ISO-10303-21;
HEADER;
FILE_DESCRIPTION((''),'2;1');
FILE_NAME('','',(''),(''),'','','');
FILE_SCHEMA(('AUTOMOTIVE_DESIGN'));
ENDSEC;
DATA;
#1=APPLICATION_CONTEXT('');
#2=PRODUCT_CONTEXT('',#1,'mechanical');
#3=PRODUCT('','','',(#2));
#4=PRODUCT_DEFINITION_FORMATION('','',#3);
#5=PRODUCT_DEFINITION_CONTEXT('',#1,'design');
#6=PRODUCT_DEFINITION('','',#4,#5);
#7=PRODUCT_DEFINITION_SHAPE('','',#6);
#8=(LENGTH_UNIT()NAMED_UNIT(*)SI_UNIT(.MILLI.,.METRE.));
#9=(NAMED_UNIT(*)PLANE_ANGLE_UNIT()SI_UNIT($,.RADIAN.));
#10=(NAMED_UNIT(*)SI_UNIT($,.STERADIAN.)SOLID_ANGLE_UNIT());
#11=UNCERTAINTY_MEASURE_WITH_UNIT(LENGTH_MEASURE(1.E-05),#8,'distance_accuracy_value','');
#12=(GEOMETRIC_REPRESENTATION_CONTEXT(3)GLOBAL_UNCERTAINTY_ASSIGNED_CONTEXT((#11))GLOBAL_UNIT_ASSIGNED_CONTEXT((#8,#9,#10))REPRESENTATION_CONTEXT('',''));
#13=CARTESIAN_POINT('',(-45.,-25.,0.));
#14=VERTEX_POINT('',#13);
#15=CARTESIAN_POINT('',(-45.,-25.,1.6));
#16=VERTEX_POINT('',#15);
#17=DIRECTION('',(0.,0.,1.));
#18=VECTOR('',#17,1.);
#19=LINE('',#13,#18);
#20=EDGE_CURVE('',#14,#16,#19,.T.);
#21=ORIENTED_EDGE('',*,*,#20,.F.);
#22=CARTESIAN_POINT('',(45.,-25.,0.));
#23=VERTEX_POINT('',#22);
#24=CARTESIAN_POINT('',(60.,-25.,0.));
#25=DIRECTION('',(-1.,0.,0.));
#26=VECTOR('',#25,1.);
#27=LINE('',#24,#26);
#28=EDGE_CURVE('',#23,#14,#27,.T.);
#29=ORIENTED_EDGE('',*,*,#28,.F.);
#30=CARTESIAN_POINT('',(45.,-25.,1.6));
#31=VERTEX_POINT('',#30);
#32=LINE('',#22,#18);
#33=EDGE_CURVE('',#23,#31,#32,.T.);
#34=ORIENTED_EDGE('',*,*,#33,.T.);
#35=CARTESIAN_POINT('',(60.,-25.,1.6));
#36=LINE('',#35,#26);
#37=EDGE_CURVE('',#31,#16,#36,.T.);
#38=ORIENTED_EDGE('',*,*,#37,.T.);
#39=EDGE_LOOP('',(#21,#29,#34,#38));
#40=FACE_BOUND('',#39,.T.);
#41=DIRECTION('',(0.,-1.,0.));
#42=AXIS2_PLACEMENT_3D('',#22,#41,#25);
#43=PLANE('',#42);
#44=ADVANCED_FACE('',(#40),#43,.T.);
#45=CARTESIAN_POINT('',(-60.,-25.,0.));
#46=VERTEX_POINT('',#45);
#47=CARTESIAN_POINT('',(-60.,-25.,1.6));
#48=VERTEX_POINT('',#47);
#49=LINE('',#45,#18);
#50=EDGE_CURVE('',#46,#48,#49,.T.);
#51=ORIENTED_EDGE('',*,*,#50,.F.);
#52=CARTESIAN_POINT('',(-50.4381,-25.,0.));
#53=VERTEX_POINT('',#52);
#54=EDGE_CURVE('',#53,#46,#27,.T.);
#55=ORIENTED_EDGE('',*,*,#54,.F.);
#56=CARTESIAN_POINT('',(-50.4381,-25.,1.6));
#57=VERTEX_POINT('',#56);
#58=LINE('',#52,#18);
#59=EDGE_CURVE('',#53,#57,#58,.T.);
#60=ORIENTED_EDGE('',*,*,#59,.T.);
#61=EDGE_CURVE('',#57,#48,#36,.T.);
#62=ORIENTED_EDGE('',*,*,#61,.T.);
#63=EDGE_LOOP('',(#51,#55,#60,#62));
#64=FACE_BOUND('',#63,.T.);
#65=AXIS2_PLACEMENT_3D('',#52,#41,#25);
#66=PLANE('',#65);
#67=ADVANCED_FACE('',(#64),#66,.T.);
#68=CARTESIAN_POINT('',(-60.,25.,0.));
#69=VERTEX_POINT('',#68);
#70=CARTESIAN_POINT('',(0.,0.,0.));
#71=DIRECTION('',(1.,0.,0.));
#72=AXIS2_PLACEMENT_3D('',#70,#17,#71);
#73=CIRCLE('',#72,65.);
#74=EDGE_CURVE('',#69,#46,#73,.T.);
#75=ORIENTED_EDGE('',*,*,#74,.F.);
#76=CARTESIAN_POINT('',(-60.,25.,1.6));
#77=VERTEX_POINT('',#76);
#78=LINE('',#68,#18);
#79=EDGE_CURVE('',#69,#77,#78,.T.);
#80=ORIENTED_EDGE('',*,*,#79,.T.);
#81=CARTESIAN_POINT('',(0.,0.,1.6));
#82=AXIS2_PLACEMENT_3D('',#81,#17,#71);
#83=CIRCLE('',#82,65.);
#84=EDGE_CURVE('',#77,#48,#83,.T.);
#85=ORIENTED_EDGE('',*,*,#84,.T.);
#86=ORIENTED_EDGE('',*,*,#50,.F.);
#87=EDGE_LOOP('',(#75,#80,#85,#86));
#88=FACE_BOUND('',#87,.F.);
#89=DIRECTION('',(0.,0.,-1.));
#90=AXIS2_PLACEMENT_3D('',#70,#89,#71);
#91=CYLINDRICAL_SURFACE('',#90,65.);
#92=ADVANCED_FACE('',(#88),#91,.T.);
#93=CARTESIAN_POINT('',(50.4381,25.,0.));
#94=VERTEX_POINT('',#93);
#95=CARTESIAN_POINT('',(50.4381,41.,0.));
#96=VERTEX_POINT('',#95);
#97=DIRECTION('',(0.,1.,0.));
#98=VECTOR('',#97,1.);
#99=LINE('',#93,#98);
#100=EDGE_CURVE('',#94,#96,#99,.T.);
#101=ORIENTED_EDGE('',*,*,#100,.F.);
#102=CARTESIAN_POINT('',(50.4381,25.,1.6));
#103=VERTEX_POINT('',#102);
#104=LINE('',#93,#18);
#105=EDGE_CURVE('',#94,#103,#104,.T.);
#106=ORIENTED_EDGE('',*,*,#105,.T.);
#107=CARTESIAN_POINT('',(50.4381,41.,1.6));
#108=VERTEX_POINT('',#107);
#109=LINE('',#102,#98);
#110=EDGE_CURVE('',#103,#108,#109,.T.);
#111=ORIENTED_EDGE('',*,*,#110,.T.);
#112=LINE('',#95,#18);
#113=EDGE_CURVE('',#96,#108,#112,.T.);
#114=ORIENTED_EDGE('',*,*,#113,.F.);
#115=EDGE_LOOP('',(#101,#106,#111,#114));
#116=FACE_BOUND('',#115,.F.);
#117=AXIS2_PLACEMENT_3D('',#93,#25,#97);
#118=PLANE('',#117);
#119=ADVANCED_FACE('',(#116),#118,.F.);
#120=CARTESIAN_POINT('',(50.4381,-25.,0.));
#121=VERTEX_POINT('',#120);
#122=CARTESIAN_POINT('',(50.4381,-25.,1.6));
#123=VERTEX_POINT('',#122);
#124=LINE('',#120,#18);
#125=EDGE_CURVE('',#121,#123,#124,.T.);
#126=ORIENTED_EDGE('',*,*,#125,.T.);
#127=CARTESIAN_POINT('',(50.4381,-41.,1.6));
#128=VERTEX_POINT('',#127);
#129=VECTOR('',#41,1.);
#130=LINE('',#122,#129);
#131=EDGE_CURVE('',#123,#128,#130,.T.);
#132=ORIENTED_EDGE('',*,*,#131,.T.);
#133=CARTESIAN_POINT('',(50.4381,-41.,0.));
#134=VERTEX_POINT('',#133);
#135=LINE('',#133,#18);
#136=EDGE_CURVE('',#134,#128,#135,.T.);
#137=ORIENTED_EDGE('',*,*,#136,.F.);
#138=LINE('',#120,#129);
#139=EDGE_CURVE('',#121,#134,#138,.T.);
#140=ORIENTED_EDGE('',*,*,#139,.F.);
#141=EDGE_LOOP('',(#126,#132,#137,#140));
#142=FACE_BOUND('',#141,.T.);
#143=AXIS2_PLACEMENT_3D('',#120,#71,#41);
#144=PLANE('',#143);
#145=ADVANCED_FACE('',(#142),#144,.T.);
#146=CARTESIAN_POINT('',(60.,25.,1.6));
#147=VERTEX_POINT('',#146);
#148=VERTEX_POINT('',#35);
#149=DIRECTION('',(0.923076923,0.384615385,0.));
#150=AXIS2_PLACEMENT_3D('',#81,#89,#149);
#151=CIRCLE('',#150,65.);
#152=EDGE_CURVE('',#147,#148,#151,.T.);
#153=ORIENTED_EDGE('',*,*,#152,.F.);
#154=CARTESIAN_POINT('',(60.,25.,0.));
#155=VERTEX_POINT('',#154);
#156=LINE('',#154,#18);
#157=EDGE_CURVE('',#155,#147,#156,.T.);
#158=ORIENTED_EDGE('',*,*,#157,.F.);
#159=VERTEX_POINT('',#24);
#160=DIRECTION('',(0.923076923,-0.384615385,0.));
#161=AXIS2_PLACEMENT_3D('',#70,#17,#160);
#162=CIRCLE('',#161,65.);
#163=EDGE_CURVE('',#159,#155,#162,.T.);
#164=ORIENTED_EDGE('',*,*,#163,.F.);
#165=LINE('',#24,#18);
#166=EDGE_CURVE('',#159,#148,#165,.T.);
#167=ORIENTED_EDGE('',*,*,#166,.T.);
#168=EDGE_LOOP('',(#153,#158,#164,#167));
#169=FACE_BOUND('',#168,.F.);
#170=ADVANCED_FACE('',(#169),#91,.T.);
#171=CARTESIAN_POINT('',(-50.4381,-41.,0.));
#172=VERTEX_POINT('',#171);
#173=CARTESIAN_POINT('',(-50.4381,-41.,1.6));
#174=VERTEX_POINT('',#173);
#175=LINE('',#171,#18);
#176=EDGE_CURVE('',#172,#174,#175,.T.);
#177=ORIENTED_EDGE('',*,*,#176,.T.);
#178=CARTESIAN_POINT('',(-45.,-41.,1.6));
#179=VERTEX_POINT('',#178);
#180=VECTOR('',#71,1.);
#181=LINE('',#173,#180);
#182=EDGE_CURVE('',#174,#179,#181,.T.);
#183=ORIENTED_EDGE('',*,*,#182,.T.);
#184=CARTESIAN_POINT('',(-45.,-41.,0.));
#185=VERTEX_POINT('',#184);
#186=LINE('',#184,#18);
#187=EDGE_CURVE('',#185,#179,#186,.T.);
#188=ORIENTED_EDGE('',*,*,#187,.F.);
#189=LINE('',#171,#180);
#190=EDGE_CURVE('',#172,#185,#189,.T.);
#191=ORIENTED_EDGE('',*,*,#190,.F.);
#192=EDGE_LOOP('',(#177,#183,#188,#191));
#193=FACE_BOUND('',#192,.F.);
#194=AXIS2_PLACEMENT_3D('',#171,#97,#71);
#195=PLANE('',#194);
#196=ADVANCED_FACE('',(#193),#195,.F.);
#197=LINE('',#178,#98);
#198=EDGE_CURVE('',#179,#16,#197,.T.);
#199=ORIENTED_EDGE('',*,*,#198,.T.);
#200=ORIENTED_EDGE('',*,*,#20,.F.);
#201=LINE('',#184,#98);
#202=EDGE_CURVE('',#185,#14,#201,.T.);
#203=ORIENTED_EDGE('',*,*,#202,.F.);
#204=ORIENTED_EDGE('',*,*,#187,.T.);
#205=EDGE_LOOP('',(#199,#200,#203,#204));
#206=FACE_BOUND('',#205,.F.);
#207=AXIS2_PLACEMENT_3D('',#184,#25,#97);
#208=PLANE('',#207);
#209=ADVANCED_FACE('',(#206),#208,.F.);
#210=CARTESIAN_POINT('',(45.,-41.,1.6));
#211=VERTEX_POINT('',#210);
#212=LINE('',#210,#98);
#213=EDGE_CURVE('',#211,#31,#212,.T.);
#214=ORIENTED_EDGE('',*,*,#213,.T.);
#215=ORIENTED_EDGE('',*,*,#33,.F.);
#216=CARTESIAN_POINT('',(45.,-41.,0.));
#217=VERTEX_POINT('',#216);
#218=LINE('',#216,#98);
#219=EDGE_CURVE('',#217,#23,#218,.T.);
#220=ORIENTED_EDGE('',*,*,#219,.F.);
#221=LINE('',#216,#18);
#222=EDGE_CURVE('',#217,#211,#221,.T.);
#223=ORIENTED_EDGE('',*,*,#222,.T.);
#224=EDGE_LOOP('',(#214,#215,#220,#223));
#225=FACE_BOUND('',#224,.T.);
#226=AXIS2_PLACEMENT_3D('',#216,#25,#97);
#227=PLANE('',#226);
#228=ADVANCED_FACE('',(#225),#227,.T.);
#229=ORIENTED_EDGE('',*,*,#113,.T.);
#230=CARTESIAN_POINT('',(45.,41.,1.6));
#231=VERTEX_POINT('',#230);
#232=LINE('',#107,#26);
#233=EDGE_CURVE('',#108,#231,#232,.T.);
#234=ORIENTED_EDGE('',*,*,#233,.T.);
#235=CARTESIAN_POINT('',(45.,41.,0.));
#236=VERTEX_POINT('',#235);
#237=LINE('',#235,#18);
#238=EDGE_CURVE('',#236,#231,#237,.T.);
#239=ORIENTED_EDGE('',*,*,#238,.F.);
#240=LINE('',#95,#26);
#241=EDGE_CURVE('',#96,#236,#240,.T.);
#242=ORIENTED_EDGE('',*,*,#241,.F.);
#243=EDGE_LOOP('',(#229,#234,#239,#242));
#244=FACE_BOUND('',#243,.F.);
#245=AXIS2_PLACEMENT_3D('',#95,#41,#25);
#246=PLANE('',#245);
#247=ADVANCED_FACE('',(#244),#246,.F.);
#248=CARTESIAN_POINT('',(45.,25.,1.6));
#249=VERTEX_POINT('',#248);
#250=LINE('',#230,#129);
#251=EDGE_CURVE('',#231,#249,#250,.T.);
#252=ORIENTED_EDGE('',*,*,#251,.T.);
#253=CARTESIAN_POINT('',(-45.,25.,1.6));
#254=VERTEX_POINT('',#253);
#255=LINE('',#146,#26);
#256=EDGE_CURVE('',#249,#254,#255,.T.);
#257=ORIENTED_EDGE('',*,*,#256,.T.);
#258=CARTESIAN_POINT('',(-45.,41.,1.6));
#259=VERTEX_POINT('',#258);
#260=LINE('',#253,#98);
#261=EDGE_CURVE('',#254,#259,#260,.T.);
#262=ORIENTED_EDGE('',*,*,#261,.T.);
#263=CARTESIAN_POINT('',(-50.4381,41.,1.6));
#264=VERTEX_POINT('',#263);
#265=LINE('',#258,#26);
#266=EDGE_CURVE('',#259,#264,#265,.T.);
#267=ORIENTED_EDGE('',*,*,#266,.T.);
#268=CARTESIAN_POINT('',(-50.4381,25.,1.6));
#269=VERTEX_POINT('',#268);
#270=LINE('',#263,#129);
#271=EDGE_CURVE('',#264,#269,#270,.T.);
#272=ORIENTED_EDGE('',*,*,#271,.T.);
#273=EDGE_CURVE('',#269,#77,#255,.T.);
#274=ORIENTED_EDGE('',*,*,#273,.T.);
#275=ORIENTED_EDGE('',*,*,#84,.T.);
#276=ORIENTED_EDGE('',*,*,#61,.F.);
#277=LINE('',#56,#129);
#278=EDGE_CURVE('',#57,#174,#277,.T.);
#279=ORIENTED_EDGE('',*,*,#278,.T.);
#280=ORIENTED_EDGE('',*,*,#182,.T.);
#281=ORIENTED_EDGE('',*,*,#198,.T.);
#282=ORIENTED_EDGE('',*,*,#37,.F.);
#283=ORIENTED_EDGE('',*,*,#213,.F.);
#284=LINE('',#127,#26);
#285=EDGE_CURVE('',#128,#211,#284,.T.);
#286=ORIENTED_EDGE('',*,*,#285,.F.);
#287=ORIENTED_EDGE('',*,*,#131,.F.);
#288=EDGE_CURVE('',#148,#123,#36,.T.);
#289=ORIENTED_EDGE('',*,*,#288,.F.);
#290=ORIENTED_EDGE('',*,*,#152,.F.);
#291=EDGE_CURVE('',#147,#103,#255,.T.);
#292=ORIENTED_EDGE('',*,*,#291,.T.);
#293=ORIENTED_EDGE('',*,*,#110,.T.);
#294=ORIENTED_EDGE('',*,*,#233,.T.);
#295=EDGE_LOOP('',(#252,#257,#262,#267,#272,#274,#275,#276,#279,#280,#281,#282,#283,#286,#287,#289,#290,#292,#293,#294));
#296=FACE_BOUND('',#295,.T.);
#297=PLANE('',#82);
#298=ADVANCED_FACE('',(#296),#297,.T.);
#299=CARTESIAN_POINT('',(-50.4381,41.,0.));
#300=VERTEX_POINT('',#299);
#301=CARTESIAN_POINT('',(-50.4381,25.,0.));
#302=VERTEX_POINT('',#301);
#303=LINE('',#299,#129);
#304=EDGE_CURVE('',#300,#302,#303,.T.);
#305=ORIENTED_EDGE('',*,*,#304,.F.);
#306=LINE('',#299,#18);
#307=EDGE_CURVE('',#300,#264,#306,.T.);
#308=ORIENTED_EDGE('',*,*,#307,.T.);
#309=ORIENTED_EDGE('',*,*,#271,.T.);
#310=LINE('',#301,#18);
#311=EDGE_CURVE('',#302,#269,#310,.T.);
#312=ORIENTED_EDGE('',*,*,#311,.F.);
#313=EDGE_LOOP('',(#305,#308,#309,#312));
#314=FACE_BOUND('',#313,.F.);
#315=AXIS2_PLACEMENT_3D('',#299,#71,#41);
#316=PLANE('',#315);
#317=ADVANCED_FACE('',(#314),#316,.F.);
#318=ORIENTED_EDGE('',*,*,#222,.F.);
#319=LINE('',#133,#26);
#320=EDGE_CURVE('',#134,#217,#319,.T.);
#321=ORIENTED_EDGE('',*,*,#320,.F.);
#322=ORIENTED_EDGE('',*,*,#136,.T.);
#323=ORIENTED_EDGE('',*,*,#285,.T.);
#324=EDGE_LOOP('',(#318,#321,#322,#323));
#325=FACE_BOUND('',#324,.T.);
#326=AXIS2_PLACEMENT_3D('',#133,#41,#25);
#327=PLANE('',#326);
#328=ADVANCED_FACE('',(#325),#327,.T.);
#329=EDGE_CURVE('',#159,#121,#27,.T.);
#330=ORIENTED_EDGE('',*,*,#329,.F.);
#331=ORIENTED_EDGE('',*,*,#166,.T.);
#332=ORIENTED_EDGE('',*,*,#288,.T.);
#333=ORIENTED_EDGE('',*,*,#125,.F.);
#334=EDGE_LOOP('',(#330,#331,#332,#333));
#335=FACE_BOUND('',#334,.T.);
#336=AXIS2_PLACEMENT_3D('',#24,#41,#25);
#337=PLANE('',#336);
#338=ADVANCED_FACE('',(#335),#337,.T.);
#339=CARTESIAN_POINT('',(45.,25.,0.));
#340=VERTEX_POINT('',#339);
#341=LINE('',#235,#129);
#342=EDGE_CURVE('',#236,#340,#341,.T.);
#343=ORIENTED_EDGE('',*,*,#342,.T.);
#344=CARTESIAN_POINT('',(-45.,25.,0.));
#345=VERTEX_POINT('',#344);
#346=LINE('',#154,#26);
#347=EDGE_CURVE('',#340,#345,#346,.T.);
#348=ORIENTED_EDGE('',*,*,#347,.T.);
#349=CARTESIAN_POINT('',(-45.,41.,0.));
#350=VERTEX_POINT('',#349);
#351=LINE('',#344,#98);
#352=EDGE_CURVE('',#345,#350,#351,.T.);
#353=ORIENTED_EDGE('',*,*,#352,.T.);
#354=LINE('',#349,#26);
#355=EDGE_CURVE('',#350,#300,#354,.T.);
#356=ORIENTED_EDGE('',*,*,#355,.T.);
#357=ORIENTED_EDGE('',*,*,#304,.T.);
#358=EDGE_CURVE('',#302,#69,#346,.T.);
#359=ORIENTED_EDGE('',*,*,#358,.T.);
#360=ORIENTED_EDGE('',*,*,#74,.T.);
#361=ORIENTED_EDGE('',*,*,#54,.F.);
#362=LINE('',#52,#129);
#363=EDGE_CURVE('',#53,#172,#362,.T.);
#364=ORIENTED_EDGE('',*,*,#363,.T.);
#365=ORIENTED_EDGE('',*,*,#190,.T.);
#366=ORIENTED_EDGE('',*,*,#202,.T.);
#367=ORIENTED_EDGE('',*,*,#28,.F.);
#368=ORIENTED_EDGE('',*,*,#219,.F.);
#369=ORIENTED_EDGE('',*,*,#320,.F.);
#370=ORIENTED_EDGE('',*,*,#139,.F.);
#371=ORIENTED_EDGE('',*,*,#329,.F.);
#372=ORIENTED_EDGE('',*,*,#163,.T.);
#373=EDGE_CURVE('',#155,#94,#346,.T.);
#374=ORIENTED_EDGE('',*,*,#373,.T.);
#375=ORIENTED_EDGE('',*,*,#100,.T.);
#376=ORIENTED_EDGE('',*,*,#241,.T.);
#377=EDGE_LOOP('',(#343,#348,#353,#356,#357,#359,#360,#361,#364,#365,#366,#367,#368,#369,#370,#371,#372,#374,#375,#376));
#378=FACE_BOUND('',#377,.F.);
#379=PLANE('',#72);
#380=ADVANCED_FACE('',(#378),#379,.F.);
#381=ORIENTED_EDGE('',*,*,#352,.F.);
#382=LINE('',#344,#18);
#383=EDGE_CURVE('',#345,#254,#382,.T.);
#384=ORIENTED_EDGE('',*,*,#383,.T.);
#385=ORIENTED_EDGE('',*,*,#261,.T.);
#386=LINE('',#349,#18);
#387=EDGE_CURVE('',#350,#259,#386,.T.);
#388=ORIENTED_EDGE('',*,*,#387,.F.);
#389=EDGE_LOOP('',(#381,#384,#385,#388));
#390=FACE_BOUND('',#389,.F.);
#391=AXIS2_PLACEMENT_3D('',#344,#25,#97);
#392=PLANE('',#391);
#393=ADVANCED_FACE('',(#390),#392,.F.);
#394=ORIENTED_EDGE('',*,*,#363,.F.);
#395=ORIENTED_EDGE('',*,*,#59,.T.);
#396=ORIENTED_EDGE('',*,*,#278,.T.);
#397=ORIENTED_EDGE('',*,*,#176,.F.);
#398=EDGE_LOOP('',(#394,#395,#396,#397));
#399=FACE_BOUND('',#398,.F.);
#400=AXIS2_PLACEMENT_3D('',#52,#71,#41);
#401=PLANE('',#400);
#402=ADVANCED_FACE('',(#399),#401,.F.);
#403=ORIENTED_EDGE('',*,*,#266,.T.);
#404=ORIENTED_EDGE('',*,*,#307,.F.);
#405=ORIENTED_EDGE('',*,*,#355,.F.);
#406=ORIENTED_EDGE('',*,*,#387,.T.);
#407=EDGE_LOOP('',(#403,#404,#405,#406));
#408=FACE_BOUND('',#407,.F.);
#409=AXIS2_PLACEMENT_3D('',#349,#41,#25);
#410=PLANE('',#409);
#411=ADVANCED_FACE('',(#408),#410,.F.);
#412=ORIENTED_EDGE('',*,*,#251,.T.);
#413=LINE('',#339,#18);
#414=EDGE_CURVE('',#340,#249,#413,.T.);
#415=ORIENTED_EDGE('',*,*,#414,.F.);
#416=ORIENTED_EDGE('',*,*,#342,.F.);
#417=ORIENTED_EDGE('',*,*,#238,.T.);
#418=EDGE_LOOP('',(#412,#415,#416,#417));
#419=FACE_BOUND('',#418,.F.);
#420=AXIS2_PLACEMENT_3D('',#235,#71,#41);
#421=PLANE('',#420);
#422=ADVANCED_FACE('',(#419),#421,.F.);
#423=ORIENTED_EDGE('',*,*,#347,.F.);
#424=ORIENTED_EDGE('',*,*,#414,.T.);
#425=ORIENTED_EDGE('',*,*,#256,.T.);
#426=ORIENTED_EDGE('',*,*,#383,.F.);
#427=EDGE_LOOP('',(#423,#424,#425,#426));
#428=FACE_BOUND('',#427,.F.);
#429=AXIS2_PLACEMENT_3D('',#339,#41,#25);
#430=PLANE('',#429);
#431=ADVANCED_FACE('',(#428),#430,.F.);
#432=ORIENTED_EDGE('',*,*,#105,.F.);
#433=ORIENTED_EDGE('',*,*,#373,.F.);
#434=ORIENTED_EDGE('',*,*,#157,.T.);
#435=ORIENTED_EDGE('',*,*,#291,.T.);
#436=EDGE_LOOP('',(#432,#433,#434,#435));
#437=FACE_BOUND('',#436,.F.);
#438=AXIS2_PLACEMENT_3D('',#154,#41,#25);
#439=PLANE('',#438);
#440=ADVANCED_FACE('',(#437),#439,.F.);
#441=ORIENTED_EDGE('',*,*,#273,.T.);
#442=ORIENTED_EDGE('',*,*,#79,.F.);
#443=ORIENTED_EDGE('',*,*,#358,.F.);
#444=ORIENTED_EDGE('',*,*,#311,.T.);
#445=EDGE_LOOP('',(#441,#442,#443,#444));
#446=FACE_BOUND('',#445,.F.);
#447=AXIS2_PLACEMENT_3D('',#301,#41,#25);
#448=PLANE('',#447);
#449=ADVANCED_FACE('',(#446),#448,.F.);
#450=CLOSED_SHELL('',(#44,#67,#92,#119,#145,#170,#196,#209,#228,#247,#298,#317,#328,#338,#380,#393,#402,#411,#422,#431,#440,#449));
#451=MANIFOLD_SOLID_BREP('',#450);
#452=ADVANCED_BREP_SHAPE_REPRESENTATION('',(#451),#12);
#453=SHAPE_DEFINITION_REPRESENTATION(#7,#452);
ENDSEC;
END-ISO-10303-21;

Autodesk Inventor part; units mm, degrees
ref_plane "YZ Plane" through (0, 0, 0) normal (1, 0, 0) x (0, 1, 0)
ref_plane "XZ Plane" through (0, 0, 0) normal (0, 1, 0) x (-1, 0, 0)
ref_plane "XY Plane" through (0, 0, 0) normal (0, 0, 1) x (1, 0, 0)
sketch "Sketch1" plane through (0, 0, 0) normal (0, 0, 1) x (1, 0, 0)
  circle A0 centre (0, 0) radius 65
  line L0 (60, -25) -> (-60, -25)
  line L1 (60, 25) -> (-60, 25)
  line L2 (45, -25) -> (50.4381, -25)
  line L3 (50.4381, -25) -> (50.4381, -41)
  line L4 (50.4381, -41) -> (45, -41)
  line L5 (45, -41) -> (45, -25)
  line L6 (-45, -25) -> (-50.4381, -25)
  line L7 (-50.4381, -25) -> (-50.4381, -41)
  line L8 (-50.4381, -41) -> (-45, -41)
  line L9 (-45, -41) -> (-45, -25)
  line L10 (45, 25) -> (50.4381, 25)
  line L11 (50.4381, 25) -> (50.4381, 41)
  line L12 (50.4381, 41) -> (45, 41)
  line L13 (45, 41) -> (45, 25)
  line L14 (-50.4381, 25) -> (-45, 25)
  line L15 (-45, 25) -> (-45, 41)
  line L16 (-45, 41) -> (-50.4381, 41)
  line L17 (-50.4381, 41) -> (-50.4381, 25)
  dimension "d0" = 130
  dimension "d1" = 50
  dimension "d2" = 90
  dimension "d4" = 16
extrude "Extrusion1" add sketch "Sketch1" along normal blind 1.6 contours A0 L0 L1 | L11 L1 L13 L12 | L4 L5 L0 L3 | L16 L15 L1 L17 | L7 L0 L9 L8
properties part number "1.6mm Aluminium Frame" material "Aluminum 6061"
